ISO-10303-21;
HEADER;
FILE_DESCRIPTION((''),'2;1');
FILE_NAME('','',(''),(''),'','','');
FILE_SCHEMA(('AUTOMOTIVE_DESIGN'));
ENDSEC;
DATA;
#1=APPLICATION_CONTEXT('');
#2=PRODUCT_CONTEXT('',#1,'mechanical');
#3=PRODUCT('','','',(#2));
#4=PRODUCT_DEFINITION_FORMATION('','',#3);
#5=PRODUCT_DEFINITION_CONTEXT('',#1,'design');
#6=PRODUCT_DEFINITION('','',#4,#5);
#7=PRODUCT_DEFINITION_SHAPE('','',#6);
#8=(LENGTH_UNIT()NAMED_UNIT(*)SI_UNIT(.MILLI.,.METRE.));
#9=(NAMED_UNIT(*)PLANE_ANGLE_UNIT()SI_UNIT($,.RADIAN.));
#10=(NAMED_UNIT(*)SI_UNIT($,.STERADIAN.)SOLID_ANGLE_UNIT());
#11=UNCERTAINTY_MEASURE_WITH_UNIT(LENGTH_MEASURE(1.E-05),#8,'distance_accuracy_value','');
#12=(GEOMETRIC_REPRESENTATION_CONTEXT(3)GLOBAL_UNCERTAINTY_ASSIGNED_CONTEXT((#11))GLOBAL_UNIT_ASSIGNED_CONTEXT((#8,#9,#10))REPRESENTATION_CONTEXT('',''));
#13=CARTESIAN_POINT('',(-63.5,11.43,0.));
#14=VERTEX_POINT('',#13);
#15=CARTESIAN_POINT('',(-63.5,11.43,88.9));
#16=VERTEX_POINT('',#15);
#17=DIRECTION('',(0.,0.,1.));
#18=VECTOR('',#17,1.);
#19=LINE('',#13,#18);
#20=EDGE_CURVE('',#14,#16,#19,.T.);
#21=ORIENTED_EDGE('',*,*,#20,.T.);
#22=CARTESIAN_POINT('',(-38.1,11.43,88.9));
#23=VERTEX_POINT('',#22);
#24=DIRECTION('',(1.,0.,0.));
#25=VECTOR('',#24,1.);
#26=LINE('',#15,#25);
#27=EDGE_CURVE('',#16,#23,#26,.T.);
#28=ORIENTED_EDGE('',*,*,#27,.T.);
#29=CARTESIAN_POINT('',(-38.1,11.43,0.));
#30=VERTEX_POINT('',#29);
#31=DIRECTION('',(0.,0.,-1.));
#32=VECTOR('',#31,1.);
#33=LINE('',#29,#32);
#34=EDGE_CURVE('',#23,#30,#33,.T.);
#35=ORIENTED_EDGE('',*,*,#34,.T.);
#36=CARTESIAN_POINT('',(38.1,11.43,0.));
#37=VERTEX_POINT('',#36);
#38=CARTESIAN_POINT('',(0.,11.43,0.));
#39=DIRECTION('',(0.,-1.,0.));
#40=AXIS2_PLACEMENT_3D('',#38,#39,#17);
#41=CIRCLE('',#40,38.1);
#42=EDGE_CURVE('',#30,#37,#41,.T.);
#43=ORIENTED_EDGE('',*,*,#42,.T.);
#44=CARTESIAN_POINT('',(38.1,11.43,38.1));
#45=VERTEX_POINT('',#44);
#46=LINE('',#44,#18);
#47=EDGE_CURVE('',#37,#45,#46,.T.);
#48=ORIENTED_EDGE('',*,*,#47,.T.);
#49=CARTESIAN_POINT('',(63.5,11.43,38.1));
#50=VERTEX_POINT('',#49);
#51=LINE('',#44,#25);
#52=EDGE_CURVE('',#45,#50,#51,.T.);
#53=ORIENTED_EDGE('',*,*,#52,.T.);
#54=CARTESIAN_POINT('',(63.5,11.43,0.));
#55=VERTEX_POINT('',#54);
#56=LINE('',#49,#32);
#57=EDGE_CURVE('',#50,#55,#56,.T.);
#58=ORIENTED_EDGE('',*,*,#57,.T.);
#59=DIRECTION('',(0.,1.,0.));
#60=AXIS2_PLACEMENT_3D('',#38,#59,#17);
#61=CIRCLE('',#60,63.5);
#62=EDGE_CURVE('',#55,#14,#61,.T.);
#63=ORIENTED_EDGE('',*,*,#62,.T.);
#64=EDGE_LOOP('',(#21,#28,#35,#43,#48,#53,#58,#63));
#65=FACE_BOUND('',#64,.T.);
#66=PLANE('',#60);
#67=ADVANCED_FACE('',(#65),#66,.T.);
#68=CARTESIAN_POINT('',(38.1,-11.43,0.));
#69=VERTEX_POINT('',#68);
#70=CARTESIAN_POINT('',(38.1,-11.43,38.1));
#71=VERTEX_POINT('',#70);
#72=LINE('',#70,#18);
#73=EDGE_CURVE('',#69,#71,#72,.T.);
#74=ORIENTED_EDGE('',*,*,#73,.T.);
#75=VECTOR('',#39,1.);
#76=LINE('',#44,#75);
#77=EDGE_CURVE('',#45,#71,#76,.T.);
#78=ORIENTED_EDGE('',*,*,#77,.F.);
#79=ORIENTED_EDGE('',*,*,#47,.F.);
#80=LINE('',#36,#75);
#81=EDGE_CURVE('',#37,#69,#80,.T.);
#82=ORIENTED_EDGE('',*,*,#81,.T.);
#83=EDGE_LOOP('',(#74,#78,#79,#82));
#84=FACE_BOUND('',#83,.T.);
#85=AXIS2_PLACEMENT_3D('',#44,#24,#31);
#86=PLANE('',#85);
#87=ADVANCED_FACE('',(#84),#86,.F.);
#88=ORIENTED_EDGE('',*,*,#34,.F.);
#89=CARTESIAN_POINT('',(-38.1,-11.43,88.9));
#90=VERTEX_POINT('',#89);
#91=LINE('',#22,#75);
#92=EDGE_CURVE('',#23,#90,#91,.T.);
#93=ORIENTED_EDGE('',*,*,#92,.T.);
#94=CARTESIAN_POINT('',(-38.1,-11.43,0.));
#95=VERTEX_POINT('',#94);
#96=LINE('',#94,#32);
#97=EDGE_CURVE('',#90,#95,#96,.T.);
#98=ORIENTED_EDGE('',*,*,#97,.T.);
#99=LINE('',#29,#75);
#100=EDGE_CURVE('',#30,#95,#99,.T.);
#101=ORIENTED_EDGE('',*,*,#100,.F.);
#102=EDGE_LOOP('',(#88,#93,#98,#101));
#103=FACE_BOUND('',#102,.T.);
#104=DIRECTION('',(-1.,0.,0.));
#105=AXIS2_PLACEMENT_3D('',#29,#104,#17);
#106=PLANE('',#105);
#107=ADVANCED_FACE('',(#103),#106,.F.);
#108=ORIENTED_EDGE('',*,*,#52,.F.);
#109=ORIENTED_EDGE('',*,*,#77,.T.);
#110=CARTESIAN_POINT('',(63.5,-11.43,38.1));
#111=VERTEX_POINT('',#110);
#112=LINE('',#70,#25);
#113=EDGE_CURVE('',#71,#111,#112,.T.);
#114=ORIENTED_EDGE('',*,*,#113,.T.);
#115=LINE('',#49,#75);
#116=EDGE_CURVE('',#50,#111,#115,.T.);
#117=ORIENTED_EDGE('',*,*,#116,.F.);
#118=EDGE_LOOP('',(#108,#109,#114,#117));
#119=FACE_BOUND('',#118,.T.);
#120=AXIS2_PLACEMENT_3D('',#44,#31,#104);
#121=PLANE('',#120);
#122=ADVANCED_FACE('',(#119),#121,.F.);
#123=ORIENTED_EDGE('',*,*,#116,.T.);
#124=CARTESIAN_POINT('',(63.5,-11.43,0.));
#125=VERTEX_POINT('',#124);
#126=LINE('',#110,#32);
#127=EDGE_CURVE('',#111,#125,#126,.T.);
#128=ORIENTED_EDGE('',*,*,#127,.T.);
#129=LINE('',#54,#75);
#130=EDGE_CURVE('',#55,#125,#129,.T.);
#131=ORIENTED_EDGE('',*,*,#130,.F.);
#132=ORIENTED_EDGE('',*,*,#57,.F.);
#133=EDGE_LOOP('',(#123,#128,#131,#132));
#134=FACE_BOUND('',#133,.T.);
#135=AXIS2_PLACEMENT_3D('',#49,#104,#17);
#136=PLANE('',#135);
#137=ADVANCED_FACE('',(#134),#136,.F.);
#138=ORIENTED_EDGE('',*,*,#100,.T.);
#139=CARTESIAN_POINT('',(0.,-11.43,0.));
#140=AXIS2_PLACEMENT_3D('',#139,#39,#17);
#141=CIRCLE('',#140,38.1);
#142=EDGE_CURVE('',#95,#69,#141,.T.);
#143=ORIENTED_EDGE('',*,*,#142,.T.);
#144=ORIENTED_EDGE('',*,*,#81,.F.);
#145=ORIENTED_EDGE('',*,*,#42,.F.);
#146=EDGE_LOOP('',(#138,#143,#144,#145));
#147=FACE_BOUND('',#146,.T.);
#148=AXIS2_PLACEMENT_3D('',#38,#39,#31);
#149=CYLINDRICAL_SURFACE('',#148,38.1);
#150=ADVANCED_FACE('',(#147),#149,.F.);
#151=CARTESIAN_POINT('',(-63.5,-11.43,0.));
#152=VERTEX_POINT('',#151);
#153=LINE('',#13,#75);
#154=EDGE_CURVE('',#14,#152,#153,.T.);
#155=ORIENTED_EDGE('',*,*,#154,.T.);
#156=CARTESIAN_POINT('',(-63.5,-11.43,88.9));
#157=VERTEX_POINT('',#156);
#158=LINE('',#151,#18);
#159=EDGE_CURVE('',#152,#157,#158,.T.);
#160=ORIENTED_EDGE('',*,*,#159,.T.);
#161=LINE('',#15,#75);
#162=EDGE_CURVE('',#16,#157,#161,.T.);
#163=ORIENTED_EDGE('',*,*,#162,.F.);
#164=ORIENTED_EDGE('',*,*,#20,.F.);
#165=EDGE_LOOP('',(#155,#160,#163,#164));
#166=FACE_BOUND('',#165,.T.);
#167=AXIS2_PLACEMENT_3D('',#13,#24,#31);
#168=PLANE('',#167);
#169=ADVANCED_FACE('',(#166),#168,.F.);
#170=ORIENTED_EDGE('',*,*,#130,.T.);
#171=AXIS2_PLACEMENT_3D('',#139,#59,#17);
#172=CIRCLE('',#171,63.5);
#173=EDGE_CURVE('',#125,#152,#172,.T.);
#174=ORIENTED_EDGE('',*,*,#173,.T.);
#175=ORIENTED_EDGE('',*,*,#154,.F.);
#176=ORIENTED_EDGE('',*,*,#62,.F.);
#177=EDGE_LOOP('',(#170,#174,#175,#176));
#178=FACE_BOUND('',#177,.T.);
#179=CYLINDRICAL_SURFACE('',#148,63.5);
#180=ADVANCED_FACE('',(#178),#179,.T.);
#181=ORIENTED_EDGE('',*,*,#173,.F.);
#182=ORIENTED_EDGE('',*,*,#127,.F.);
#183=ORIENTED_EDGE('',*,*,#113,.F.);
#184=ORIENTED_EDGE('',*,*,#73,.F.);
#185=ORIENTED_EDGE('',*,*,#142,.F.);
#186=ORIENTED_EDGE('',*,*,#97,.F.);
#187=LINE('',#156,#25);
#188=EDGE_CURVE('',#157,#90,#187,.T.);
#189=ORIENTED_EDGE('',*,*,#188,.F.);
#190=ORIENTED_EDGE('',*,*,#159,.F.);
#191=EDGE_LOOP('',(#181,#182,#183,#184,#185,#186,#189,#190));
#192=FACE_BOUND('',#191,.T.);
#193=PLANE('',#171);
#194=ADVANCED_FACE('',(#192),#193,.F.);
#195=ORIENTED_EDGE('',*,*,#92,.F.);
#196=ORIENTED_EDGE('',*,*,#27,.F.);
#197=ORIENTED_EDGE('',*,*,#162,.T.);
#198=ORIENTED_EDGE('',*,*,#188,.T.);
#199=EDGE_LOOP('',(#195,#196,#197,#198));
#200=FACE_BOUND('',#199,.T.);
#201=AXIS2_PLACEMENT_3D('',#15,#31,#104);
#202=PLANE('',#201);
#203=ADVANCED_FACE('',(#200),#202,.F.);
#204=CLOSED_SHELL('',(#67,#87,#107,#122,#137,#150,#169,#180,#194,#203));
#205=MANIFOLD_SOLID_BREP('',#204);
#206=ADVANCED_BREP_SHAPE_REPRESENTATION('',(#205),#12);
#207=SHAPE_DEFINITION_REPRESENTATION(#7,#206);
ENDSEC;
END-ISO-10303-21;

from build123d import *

# Parameters (mm, degrees)
BOSS_EXTRUDE1_DEPTH = 11.43


with BuildPart() as part:
    # Sketch1 → Boss-Extrude1 (new, symmetric)
    with BuildSketch(Plane(origin=(0, 0, 0), x_dir=(1, 0, 0), z_dir=(0, 1, 0))):
        with BuildLine():
            Line((-63.5, 0), (-63.5, -88.9))
            Line((-63.5, -88.9), (-38.1, -88.9))
            Line((-38.1, -88.9), (-38.1, 0))
            ThreePointArc((-38.1, 0), (0, 38.1), (38.1, 0))
            Line((38.1, 0), (38.1, -38.1))
            Line((38.1, -38.1), (63.5, -38.1))
            Line((63.5, -38.1), (63.5, 0))
            ThreePointArc((63.5, 0), (0, 63.5), (-63.5, 0))
        make_face()
    extrude(amount=BOSS_EXTRUDE1_DEPTH, both=True)


solid = part.part
